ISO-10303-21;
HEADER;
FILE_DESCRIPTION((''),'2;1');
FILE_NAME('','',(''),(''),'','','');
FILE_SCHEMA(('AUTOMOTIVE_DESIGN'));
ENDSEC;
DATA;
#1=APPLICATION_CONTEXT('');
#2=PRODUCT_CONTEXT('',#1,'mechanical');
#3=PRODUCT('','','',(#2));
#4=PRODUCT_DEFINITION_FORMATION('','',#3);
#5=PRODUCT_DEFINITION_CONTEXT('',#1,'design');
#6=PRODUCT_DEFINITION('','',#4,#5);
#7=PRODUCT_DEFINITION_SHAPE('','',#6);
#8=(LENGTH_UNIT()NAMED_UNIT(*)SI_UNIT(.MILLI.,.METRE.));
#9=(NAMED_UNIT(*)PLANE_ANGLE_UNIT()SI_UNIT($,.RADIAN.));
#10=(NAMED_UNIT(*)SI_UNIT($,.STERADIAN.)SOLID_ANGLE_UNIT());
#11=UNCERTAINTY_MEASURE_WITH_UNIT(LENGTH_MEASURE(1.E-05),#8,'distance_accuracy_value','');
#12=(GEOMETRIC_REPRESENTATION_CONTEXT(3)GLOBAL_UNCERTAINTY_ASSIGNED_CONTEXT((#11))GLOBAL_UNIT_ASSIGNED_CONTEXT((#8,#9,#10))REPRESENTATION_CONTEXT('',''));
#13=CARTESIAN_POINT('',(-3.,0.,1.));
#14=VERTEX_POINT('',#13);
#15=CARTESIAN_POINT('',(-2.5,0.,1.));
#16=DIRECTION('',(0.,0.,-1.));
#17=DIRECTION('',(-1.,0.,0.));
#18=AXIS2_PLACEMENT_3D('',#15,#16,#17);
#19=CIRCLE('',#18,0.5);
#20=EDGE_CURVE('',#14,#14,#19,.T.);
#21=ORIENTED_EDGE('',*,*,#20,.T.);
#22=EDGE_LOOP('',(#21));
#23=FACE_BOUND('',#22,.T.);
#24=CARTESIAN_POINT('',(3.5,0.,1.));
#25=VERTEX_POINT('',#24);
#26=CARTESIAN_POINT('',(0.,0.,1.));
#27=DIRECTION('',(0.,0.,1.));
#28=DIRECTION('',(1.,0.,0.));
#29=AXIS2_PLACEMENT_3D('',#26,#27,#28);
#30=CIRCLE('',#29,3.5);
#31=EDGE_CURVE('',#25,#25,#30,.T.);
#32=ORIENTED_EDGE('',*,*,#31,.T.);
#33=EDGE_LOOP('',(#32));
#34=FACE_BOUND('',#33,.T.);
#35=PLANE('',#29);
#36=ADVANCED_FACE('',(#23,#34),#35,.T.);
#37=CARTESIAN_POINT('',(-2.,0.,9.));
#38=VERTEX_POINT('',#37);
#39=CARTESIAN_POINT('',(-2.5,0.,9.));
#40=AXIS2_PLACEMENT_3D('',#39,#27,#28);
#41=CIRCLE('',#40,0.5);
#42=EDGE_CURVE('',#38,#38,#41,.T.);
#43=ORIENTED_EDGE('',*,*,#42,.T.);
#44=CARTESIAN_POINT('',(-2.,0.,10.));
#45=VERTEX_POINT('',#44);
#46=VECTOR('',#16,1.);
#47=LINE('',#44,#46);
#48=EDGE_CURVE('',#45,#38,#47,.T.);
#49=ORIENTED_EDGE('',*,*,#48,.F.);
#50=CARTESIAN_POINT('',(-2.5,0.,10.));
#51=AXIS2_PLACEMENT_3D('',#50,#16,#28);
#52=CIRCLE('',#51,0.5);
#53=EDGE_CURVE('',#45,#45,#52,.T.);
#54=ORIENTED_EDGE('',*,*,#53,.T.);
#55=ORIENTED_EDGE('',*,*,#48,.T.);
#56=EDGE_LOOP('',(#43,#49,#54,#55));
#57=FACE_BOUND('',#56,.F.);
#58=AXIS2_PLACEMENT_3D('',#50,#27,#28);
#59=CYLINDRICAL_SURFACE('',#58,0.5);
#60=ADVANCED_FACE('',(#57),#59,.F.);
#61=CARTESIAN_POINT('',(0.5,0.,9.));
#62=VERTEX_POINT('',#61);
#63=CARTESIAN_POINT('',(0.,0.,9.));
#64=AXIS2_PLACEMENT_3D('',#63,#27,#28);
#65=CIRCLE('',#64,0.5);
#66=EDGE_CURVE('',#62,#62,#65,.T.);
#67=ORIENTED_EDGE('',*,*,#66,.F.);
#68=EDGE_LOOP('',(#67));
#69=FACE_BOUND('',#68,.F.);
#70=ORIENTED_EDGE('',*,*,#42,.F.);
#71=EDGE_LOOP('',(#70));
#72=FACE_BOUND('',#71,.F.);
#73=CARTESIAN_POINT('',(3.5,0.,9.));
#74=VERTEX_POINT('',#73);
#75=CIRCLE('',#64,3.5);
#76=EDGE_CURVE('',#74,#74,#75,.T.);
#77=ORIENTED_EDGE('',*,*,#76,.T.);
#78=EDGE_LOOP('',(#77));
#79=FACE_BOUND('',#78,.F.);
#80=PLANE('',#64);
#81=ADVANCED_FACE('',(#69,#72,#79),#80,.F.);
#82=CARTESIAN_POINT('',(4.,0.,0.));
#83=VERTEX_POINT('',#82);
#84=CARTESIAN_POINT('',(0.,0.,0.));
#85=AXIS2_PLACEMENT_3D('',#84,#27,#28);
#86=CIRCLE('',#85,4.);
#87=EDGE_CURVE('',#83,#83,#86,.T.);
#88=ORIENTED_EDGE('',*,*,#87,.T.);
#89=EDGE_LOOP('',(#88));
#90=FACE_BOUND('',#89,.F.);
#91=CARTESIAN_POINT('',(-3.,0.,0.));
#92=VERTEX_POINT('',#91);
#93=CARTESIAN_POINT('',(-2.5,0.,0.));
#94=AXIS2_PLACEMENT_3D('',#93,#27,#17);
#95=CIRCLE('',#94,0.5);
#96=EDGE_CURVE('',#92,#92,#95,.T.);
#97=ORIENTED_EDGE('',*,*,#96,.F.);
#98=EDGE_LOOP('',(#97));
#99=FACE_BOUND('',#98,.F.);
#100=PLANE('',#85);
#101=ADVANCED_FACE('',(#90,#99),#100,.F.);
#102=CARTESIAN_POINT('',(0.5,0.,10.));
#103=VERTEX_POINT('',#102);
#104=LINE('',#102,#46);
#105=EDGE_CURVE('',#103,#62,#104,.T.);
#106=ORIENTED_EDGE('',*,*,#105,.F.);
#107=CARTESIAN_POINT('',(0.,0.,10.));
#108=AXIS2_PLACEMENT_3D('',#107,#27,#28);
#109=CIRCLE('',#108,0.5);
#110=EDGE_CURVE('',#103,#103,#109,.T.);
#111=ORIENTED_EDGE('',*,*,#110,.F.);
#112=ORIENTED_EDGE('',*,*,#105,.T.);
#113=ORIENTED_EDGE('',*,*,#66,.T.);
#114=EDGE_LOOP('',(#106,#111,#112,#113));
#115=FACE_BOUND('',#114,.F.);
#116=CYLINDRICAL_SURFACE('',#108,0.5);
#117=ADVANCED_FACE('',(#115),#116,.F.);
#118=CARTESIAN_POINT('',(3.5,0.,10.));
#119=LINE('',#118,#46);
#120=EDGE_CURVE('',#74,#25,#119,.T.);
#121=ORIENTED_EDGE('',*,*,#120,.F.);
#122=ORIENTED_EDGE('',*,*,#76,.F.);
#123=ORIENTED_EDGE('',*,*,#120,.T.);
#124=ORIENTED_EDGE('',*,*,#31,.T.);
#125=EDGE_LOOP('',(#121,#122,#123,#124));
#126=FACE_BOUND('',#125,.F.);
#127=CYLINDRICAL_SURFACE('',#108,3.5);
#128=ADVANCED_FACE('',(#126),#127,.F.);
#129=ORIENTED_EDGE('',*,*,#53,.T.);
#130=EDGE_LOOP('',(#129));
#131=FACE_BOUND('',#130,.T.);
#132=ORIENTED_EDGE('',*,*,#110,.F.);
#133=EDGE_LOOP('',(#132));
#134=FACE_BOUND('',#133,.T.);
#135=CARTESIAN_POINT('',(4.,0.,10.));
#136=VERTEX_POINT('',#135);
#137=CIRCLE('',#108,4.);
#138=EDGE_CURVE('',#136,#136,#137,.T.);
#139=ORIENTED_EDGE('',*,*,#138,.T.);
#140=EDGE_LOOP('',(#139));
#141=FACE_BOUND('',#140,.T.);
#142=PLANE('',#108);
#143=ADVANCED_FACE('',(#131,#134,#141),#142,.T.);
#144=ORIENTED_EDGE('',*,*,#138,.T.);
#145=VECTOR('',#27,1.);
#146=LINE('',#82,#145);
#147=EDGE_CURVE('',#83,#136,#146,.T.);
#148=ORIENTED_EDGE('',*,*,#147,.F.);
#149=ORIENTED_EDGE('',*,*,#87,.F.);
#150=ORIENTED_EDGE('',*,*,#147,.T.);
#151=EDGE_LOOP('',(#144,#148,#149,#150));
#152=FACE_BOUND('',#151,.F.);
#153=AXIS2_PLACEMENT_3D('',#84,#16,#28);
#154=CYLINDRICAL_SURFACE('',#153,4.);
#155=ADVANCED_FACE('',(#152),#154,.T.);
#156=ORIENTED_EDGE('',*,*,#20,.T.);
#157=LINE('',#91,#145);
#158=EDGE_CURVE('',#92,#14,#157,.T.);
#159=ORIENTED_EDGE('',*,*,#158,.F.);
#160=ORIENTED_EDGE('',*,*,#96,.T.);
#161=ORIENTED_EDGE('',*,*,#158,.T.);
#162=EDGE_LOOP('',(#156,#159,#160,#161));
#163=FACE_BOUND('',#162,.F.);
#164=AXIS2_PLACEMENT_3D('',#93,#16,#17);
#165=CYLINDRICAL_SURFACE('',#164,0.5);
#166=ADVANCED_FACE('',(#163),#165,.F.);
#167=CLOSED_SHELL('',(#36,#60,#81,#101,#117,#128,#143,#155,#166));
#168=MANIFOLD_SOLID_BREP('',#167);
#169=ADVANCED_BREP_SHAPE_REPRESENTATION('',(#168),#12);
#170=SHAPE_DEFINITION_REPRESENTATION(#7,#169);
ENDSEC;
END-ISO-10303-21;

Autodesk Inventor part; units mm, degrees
ref_plane "YZ Plane" through (0, 0, 0) normal (1, 0, 0) x (0, 1, 0)
ref_plane "XZ Plane" through (0, 0, 0) normal (0, 1, 0) x (-1, 0, 0)
ref_plane "XY Plane" through (0, 0, 0) normal (0, 0, 1) x (1, 0, 0)
sketch "Skizze1" plane through (0, 0, 0) normal (0, 0, 1) x (1, 0, 0)
  circle A0 centre (0, 0) radius 4
  dimension "d0" = 8
extrude "Extrusion1" add sketch "Skizze1" along normal blind 10
sketch "Skizze2" plane through (0, 0, 10) normal (0, 0, 1) x (1, 0, 0)
  circle A0 centre (0, 0) radius 3.5
  dimension "d3" = 7
extrude "Extrusion2" cut sketch "Skizze2" against normal blind 9
sketch "Skizze3" plane through (0, 0, 10) normal (0, 0, 1) x (1, 0, 0)
  circle A0 centre (0, 0) radius 3.5
extrude "Extrusion3" add sketch "Skizze3" against normal blind 1
sketch "Skizze4" plane through (0, 0, 10) normal (0, 0, 1) x (1, 0, 0)
  circle A0 centre (0, 0) radius 0.5
  dimension "d8" = 1
extrude "Extrusion4" cut sketch "Skizze4" against normal blind 1
sketch "Skizze5" plane through (0, 0, 10) normal (0, 0, 1) x (1, 0, 0)
  circle A0 centre (-2.5, 0) radius 0.5
  circle A1 centre (0, 0) radius 4 projected
  line L0 (-5.6, 0) -> (5.6, 0) projected
  dimension "d11" = 1
  dimension "d12" = 2.5
  dimension "d13" = 0
extrude "Extrusion5" cut sketch "Skizze5" against normal blind 1 contours L0 A0 | A0 L0
sketch "Skizze6" plane through (0, 0, 0) normal (0, 0, -1) x (-1, 0, 0)
  circle A0 centre (2.5, 0) radius 0.5
  line L0 (5.6, 0) -> (-5.6, 0) projected
  point P0 (0, 0)
  dimension "d16" = 1
  dimension "d17" = 2.5
  dimension "d18" = 0
extrude "Extrusion6" cut sketch "Skizze6" against normal blind 1
properties part number "Pneumatickolben_Zylinder"
